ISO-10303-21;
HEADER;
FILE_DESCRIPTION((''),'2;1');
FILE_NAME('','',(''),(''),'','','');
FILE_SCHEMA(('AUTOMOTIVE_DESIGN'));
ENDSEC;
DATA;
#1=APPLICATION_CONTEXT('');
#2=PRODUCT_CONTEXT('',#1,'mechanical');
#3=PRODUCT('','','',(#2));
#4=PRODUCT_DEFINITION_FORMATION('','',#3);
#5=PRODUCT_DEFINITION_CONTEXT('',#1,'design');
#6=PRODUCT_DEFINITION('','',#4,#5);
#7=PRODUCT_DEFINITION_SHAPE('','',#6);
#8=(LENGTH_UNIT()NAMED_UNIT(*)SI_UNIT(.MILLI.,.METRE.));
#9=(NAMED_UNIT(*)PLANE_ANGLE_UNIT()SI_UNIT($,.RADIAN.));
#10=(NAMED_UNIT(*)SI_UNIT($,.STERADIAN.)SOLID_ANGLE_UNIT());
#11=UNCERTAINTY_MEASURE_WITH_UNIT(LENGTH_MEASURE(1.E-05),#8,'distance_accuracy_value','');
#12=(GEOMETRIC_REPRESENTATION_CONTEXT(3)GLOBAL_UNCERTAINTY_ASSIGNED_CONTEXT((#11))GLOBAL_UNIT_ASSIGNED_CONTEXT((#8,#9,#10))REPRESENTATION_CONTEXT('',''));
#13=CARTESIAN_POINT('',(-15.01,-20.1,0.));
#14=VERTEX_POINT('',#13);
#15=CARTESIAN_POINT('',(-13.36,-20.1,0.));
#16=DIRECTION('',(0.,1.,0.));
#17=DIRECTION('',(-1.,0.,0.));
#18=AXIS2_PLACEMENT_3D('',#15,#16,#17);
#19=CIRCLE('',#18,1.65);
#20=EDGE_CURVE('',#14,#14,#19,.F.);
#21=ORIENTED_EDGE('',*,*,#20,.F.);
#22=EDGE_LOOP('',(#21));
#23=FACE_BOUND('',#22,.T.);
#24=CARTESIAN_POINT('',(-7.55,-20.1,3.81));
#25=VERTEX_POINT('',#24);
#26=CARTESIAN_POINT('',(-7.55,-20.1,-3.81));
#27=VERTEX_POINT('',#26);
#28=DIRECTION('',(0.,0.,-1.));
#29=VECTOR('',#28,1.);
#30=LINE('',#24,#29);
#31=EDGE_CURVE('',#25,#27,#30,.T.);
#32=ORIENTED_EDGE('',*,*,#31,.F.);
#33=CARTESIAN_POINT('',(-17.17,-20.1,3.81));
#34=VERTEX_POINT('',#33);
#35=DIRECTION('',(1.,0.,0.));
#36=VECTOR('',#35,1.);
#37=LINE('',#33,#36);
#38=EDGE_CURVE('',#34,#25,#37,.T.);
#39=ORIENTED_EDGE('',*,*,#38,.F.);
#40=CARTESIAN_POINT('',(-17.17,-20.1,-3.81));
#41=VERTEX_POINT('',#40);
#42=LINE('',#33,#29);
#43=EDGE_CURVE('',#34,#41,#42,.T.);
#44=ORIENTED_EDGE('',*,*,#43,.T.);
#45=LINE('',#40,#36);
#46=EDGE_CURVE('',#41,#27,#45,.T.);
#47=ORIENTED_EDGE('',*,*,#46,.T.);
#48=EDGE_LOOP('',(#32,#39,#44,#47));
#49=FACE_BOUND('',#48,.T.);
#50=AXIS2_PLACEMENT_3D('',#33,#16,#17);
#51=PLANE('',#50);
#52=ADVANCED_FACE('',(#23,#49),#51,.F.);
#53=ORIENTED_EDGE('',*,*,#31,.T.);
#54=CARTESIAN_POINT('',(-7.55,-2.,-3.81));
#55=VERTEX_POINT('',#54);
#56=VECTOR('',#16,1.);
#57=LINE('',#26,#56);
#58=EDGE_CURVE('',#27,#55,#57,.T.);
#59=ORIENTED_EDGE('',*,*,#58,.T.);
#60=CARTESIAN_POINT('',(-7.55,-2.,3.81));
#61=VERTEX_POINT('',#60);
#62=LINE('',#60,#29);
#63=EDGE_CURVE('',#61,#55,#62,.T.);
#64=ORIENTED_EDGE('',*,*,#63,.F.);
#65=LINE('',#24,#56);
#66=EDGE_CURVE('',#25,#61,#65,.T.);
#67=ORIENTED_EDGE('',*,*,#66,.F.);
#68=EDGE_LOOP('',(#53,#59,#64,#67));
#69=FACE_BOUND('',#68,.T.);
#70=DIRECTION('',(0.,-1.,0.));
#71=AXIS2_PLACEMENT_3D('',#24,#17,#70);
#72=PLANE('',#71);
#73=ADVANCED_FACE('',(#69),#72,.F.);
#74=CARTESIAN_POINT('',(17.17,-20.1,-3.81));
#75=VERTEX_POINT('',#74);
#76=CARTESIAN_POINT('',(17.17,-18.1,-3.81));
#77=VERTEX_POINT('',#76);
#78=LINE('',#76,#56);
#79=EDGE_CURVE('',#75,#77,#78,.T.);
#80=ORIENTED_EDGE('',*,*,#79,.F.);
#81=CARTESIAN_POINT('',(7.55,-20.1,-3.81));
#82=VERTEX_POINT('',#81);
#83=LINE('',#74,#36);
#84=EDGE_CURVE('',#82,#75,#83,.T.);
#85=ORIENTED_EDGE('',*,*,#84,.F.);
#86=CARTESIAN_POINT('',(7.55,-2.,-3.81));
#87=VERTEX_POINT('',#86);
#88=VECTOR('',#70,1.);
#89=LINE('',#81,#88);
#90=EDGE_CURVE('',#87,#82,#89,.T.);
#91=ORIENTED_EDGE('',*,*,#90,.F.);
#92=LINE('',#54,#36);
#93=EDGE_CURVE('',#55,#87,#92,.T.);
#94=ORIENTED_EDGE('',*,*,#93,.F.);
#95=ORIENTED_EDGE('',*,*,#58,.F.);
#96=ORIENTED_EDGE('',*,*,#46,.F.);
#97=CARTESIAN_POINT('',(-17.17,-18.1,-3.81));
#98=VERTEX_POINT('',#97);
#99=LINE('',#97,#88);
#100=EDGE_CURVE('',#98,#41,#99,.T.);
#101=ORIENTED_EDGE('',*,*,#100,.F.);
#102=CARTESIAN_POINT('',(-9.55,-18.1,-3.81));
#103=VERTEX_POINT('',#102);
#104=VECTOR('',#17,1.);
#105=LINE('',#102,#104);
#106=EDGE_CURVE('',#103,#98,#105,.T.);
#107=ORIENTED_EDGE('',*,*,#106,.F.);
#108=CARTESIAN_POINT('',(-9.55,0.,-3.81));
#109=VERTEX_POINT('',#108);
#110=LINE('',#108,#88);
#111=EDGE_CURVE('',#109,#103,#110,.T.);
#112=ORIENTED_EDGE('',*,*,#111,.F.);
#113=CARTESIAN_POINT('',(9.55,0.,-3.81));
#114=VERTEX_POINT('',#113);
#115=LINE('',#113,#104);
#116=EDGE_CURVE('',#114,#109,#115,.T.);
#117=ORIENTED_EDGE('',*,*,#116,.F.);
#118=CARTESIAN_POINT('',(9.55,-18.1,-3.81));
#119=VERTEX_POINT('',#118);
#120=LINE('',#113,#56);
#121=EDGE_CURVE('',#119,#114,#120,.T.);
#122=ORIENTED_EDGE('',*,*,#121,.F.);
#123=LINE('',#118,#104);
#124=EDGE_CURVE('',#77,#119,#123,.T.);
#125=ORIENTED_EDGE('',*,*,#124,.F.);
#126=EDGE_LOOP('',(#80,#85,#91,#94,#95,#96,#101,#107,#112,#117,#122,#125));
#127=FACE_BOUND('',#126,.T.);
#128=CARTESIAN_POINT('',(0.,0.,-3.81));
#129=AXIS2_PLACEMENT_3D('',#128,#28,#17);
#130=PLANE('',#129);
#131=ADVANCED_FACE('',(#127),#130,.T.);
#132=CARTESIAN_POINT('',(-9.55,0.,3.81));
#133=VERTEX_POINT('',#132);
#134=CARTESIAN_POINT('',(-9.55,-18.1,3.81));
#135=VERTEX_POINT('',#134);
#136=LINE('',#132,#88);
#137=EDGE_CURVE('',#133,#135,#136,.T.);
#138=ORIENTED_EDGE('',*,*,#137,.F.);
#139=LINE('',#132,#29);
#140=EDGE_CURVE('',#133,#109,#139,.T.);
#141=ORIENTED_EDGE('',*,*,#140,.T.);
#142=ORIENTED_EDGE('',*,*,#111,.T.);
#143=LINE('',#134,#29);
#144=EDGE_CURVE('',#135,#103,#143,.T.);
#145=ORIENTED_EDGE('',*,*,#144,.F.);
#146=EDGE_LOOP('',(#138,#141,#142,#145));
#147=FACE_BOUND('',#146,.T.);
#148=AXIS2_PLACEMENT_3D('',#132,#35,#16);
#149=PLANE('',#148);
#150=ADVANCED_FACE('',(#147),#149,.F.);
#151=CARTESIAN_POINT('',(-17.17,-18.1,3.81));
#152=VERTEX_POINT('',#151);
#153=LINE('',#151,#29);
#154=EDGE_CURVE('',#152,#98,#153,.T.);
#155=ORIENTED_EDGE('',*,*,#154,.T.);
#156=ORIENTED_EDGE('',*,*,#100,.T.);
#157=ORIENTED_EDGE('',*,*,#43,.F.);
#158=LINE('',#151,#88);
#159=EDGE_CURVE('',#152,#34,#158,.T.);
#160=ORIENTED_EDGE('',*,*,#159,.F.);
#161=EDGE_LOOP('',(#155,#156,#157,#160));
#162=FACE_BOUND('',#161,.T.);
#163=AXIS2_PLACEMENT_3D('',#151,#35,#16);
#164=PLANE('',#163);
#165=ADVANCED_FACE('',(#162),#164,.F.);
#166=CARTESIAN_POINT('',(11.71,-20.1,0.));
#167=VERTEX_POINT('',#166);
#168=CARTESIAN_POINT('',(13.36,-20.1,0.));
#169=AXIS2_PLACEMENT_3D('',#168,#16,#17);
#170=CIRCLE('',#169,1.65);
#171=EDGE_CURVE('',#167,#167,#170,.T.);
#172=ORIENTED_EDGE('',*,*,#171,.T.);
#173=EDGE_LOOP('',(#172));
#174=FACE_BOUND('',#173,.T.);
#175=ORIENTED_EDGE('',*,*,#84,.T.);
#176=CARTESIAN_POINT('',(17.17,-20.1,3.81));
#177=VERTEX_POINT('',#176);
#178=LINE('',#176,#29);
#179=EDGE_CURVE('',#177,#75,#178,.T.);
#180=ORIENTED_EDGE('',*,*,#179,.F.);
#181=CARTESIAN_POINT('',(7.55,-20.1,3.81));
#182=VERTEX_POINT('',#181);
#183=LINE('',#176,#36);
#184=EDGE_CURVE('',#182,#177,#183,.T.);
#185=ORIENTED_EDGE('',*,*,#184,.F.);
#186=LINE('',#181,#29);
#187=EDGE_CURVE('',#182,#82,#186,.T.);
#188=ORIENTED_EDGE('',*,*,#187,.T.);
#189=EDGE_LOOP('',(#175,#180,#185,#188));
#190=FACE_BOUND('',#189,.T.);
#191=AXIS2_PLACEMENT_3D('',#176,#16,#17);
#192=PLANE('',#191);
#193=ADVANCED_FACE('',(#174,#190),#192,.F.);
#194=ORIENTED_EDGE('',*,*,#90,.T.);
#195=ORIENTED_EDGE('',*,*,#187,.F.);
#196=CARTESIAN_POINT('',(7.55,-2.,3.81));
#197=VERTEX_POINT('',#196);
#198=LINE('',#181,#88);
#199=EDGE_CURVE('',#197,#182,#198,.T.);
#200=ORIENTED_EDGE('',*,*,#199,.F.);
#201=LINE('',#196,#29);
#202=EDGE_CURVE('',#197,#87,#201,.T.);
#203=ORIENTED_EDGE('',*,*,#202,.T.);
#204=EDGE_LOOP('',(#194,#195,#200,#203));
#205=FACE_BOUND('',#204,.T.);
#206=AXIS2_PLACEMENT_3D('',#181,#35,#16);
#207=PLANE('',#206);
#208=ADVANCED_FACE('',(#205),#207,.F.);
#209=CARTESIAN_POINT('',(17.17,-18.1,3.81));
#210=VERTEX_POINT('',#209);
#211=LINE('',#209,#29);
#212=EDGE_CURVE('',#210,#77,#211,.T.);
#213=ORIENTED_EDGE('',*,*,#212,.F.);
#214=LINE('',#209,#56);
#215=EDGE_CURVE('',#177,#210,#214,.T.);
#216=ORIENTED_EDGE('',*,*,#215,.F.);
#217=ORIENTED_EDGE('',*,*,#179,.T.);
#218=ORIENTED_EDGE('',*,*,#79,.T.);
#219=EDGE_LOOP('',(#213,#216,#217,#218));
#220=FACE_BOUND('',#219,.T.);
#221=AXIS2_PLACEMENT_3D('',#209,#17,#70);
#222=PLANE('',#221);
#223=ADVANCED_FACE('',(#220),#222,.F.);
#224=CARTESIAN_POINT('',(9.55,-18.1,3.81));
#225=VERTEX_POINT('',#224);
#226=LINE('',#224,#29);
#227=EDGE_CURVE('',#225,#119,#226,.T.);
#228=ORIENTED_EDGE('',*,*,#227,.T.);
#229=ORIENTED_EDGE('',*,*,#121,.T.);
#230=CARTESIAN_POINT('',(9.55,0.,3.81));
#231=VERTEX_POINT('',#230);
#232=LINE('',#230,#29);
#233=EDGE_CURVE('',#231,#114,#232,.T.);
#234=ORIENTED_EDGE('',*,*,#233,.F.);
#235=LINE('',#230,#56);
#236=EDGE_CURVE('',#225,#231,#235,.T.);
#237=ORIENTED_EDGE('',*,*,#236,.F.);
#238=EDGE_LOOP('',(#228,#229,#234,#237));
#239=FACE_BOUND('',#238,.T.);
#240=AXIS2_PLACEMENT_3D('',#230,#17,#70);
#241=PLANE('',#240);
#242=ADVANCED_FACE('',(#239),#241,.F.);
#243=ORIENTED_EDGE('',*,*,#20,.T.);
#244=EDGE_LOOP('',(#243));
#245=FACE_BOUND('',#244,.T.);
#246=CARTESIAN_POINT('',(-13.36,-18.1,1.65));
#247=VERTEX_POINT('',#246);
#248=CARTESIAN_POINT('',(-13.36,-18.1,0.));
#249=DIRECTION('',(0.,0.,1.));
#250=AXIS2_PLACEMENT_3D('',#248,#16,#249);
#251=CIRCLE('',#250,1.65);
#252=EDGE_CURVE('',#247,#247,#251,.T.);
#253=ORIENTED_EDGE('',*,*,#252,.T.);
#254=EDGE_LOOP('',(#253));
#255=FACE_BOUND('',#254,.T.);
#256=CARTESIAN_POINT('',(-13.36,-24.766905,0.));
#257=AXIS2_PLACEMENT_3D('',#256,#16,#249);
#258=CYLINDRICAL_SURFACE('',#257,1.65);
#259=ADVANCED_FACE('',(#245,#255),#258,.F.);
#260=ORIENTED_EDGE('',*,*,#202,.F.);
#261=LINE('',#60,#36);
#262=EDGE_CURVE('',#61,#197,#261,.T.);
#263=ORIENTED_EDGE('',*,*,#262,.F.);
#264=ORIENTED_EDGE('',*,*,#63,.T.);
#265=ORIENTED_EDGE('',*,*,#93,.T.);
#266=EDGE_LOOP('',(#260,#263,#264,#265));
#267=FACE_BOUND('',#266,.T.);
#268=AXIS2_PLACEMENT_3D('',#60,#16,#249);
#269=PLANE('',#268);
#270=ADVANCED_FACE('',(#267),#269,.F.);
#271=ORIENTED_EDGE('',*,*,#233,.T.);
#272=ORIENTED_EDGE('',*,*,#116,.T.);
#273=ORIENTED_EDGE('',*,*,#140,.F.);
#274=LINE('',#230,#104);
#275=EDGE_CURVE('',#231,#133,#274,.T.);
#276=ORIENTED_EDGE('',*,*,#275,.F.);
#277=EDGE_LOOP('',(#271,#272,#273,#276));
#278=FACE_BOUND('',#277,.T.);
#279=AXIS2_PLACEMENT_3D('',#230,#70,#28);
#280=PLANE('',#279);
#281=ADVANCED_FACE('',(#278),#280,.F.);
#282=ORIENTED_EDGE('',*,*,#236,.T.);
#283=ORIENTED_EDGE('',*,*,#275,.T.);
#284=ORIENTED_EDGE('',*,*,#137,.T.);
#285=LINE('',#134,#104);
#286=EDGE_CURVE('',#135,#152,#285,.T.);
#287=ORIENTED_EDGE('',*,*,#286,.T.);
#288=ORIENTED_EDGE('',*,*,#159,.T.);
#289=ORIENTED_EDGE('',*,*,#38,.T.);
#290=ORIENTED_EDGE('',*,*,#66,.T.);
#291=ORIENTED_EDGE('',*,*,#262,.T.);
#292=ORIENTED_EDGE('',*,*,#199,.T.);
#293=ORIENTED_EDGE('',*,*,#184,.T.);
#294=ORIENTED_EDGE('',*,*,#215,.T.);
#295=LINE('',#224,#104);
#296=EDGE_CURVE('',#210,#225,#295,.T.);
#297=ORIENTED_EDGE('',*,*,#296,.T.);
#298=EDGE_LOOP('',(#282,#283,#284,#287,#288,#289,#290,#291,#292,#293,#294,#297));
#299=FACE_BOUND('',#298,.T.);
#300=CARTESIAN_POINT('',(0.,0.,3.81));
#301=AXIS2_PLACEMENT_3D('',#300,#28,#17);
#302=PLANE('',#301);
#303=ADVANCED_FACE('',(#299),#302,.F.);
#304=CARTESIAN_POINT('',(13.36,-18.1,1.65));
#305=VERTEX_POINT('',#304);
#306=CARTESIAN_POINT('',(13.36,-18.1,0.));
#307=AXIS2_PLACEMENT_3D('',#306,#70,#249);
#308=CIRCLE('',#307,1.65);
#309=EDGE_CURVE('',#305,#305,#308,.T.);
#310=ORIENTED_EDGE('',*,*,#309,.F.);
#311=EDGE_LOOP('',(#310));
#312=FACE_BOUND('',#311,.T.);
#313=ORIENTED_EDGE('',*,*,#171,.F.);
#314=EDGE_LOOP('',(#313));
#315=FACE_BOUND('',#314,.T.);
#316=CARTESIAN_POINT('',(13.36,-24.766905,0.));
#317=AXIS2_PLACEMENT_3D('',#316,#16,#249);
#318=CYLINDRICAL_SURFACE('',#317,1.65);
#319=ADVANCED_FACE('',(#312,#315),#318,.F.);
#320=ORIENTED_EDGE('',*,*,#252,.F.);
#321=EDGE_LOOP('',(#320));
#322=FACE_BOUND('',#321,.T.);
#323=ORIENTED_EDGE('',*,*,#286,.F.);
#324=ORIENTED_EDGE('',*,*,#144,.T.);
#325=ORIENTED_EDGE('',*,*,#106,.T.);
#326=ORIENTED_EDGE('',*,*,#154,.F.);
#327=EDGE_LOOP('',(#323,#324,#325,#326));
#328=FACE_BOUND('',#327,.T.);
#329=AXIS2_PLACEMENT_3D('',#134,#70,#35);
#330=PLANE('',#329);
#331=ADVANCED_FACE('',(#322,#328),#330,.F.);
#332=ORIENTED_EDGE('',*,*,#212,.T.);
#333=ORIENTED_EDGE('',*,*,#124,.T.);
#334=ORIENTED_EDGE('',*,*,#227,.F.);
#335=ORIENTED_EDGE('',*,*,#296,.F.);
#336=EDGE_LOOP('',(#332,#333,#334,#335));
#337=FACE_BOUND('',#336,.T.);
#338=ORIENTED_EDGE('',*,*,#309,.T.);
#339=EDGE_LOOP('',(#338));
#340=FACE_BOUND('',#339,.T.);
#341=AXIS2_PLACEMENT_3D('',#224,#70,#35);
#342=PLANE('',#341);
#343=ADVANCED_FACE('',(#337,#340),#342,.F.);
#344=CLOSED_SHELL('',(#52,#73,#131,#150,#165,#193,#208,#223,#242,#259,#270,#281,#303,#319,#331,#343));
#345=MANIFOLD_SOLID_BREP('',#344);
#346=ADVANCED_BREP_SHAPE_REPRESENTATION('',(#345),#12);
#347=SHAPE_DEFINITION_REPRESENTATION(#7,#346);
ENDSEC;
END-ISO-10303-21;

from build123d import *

# Parameters (mm, degrees)
BOSS_EXTRUDE1_DEPTH = 3.81
SKETCH2_R           = 1.65
CUT_EXTRUDE1_DEPTH  = 2


with BuildPart() as part:
    # Sketch1 → Boss-Extrude1 (new body, symmetric)
    with BuildSketch(Plane.XY):
        Polygon((9.55, 0), (-9.55, 0), (-9.55, -18.1), (-17.17, -18.1), (-17.17, -20.1), (-7.55, -20.1), (-7.55, -2), (7.55, -2), (7.55, -20.1), (17.17, -20.1), (17.17, -18.1), (9.55, -18.1), align=None)
    extrude(amount=BOSS_EXTRUDE1_DEPTH, both=True)

    # Sketch2 → Cut-Extrude1 (cut)
    with BuildSketch(Plane(origin=(0, -18.1, 0), x_dir=(1, 0, 0), z_dir=(0, 1, 0))):
        with Locations((-13.36, 0)):
            Circle(SKETCH2_R)
    cut_extrude1 = extrude(amount=-CUT_EXTRUDE1_DEPTH, mode=Mode.SUBTRACT)

    # Mirror1: Cut-Extrude1 across plane
    add(cut_extrude1.mirror(Plane(origin=(0, 0, 0), x_dir=(0, 0, 1), z_dir=(1, 0, 0))), mode=Mode.SUBTRACT)


solid = part.part
